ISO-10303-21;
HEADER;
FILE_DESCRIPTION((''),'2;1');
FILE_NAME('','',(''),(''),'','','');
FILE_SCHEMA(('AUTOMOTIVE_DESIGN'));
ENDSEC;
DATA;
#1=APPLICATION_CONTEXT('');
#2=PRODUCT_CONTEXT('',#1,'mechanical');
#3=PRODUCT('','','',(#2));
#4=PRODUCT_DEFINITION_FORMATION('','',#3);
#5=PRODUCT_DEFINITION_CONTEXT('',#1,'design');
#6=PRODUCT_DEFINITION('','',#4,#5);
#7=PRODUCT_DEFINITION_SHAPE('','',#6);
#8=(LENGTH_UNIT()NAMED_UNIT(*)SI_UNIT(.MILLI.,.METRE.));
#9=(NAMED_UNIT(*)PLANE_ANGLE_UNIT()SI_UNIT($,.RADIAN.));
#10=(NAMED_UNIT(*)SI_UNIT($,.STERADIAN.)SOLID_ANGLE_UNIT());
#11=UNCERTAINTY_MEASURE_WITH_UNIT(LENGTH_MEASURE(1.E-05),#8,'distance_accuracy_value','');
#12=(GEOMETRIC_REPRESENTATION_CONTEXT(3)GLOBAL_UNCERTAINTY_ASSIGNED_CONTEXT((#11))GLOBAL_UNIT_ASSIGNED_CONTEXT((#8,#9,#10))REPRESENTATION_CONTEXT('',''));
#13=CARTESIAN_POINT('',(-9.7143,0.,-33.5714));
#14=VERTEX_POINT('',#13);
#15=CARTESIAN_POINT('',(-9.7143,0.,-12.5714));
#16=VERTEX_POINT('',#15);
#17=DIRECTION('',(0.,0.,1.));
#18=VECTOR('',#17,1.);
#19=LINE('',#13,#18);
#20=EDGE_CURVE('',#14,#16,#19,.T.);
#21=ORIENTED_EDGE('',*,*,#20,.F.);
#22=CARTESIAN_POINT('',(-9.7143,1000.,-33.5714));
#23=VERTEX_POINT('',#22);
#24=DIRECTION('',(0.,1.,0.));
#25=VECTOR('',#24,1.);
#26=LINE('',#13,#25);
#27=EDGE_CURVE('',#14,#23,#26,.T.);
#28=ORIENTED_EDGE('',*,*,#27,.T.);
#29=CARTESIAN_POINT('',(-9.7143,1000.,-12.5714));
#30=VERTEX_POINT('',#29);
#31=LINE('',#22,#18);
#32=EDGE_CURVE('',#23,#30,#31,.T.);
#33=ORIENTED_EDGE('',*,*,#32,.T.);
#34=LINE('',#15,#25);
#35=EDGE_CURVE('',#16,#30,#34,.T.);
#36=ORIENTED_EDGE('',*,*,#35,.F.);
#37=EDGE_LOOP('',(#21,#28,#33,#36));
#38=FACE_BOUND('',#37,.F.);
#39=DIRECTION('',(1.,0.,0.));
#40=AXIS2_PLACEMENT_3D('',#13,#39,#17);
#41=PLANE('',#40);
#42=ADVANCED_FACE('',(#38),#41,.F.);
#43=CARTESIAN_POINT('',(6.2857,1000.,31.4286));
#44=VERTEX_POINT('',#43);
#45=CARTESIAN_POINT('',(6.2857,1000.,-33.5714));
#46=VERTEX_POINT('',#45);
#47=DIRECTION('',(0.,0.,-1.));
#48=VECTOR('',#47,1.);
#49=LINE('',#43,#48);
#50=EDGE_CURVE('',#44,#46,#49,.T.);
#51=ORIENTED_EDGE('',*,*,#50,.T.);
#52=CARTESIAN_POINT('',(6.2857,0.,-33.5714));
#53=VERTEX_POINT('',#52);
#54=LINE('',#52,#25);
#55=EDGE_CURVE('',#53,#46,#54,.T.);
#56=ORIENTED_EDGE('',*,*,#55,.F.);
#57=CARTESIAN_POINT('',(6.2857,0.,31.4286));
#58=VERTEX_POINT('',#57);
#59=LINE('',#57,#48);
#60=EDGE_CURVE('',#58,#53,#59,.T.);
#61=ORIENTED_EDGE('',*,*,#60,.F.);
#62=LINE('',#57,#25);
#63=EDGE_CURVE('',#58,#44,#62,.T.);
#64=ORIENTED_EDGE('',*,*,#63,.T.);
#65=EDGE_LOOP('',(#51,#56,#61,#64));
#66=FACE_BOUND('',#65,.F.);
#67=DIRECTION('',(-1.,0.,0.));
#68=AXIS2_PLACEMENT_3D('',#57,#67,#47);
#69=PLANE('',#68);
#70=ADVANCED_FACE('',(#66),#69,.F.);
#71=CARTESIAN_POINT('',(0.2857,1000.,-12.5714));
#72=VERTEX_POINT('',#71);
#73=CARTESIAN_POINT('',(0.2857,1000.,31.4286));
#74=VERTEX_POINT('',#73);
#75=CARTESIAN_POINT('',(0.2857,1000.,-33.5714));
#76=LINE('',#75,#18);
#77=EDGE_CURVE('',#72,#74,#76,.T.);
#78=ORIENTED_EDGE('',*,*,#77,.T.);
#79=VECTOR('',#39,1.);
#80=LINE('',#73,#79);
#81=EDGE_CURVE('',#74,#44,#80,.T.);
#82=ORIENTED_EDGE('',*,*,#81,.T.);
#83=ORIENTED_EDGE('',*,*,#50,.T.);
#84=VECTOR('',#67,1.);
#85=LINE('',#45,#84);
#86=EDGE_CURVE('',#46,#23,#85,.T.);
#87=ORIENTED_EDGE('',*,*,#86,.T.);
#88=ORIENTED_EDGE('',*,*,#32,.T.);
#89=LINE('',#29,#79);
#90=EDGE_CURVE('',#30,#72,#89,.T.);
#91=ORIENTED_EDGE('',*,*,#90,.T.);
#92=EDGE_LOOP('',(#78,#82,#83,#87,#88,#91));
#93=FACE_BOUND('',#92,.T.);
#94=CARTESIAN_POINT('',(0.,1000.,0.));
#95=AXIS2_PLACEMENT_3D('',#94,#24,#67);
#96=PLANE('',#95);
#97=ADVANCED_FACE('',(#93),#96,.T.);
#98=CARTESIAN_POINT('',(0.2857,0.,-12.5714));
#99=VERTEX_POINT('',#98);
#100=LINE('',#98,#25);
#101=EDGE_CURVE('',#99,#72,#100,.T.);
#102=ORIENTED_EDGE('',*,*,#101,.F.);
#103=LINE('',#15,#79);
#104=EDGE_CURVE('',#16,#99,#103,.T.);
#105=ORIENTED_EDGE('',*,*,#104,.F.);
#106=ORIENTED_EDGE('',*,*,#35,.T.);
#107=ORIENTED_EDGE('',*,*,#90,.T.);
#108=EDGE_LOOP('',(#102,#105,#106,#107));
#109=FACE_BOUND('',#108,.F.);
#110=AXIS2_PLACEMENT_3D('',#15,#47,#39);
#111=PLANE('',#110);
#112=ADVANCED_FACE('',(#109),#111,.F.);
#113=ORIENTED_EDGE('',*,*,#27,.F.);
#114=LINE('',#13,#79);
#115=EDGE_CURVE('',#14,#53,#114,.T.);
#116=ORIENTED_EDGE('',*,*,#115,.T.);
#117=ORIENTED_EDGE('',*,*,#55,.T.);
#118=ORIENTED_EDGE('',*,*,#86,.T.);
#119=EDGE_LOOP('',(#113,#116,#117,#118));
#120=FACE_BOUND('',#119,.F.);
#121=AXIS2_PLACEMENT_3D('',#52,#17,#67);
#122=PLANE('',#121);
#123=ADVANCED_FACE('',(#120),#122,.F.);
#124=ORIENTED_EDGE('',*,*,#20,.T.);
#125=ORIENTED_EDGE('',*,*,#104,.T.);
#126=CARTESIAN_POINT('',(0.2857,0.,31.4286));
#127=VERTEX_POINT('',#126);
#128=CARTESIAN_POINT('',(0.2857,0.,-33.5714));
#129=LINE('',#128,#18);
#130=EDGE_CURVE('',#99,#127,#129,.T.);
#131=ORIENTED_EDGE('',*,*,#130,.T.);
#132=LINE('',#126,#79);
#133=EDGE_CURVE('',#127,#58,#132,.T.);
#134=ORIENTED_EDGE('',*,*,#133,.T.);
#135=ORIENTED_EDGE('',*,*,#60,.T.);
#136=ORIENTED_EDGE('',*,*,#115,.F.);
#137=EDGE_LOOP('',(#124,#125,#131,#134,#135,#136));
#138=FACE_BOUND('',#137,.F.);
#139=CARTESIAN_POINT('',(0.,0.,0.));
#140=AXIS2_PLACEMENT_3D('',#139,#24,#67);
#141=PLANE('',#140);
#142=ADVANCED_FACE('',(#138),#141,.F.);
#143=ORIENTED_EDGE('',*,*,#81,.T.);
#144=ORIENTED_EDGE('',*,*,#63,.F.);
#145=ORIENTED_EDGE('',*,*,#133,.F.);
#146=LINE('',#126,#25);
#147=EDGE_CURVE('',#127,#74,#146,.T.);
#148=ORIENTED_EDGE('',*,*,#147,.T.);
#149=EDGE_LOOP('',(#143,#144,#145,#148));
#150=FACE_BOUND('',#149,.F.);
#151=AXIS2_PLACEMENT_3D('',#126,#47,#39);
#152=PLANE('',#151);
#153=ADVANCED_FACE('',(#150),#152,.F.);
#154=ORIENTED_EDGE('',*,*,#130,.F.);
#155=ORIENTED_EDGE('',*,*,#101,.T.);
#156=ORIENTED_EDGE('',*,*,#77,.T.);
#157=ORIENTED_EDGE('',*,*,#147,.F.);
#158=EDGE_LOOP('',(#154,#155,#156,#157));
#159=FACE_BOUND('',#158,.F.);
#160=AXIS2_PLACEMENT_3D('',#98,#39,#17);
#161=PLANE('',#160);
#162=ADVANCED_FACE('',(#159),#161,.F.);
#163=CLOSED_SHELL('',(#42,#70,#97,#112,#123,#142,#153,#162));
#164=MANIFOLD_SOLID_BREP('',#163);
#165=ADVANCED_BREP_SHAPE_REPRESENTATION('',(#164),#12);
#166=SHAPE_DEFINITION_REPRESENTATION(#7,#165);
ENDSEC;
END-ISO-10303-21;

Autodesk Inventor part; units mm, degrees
ref_plane "YZ Plane" through (0, 0, 0) normal (1, 0, 0) x (0, 1, 0)
ref_plane "XZ Plane" through (0, 0, 0) normal (0, 1, 0) x (-1, 0, 0)
ref_plane "XY Plane" through (0, 0, 0) normal (0, 0, 1) x (1, 0, 0)
sketch "Sketch1" plane through (0, 0, 0) normal (0, 1, 0) x (-1, 0, 0)
  point P0 (0, 0)
sketch "Sketch2" plane through (0, 0, 0) normal (0, 1, 0) x (-1, 0, 0)
  line L0 (-0.2857, 31.4286) -> (-6.2857, 31.4286)
  line L1 (-6.2857, 31.4286) -> (-6.2857, -33.5714)
  line L2 (-6.2857, -33.5714) -> (-0.2857, -33.5714)
  line L3 (-0.2857, -33.5714) -> (-0.2857, 31.4286)
  line L4 (9.7143, -12.5714) -> (-0.2857, -12.5714)
  line L5 (-0.2857, -12.5714) -> (-0.2857, -33.5714)
  line L6 (-0.2857, -33.5714) -> (9.7143, -33.5714)
  line L7 (9.7143, -33.5714) -> (9.7143, -12.5714)
  point P0 (0, 0)
  point P1 (-0.2857, -12.5714)
  dimension "d0" = 44
  dimension "d1" = 6
  dimension "d2" = 10
  dimension "d3" = 65
extrude "Extrusion1" add sketch "Sketch2" along normal blind 1000
properties part number "UgolUkrep" material "Aluminum 6061"
